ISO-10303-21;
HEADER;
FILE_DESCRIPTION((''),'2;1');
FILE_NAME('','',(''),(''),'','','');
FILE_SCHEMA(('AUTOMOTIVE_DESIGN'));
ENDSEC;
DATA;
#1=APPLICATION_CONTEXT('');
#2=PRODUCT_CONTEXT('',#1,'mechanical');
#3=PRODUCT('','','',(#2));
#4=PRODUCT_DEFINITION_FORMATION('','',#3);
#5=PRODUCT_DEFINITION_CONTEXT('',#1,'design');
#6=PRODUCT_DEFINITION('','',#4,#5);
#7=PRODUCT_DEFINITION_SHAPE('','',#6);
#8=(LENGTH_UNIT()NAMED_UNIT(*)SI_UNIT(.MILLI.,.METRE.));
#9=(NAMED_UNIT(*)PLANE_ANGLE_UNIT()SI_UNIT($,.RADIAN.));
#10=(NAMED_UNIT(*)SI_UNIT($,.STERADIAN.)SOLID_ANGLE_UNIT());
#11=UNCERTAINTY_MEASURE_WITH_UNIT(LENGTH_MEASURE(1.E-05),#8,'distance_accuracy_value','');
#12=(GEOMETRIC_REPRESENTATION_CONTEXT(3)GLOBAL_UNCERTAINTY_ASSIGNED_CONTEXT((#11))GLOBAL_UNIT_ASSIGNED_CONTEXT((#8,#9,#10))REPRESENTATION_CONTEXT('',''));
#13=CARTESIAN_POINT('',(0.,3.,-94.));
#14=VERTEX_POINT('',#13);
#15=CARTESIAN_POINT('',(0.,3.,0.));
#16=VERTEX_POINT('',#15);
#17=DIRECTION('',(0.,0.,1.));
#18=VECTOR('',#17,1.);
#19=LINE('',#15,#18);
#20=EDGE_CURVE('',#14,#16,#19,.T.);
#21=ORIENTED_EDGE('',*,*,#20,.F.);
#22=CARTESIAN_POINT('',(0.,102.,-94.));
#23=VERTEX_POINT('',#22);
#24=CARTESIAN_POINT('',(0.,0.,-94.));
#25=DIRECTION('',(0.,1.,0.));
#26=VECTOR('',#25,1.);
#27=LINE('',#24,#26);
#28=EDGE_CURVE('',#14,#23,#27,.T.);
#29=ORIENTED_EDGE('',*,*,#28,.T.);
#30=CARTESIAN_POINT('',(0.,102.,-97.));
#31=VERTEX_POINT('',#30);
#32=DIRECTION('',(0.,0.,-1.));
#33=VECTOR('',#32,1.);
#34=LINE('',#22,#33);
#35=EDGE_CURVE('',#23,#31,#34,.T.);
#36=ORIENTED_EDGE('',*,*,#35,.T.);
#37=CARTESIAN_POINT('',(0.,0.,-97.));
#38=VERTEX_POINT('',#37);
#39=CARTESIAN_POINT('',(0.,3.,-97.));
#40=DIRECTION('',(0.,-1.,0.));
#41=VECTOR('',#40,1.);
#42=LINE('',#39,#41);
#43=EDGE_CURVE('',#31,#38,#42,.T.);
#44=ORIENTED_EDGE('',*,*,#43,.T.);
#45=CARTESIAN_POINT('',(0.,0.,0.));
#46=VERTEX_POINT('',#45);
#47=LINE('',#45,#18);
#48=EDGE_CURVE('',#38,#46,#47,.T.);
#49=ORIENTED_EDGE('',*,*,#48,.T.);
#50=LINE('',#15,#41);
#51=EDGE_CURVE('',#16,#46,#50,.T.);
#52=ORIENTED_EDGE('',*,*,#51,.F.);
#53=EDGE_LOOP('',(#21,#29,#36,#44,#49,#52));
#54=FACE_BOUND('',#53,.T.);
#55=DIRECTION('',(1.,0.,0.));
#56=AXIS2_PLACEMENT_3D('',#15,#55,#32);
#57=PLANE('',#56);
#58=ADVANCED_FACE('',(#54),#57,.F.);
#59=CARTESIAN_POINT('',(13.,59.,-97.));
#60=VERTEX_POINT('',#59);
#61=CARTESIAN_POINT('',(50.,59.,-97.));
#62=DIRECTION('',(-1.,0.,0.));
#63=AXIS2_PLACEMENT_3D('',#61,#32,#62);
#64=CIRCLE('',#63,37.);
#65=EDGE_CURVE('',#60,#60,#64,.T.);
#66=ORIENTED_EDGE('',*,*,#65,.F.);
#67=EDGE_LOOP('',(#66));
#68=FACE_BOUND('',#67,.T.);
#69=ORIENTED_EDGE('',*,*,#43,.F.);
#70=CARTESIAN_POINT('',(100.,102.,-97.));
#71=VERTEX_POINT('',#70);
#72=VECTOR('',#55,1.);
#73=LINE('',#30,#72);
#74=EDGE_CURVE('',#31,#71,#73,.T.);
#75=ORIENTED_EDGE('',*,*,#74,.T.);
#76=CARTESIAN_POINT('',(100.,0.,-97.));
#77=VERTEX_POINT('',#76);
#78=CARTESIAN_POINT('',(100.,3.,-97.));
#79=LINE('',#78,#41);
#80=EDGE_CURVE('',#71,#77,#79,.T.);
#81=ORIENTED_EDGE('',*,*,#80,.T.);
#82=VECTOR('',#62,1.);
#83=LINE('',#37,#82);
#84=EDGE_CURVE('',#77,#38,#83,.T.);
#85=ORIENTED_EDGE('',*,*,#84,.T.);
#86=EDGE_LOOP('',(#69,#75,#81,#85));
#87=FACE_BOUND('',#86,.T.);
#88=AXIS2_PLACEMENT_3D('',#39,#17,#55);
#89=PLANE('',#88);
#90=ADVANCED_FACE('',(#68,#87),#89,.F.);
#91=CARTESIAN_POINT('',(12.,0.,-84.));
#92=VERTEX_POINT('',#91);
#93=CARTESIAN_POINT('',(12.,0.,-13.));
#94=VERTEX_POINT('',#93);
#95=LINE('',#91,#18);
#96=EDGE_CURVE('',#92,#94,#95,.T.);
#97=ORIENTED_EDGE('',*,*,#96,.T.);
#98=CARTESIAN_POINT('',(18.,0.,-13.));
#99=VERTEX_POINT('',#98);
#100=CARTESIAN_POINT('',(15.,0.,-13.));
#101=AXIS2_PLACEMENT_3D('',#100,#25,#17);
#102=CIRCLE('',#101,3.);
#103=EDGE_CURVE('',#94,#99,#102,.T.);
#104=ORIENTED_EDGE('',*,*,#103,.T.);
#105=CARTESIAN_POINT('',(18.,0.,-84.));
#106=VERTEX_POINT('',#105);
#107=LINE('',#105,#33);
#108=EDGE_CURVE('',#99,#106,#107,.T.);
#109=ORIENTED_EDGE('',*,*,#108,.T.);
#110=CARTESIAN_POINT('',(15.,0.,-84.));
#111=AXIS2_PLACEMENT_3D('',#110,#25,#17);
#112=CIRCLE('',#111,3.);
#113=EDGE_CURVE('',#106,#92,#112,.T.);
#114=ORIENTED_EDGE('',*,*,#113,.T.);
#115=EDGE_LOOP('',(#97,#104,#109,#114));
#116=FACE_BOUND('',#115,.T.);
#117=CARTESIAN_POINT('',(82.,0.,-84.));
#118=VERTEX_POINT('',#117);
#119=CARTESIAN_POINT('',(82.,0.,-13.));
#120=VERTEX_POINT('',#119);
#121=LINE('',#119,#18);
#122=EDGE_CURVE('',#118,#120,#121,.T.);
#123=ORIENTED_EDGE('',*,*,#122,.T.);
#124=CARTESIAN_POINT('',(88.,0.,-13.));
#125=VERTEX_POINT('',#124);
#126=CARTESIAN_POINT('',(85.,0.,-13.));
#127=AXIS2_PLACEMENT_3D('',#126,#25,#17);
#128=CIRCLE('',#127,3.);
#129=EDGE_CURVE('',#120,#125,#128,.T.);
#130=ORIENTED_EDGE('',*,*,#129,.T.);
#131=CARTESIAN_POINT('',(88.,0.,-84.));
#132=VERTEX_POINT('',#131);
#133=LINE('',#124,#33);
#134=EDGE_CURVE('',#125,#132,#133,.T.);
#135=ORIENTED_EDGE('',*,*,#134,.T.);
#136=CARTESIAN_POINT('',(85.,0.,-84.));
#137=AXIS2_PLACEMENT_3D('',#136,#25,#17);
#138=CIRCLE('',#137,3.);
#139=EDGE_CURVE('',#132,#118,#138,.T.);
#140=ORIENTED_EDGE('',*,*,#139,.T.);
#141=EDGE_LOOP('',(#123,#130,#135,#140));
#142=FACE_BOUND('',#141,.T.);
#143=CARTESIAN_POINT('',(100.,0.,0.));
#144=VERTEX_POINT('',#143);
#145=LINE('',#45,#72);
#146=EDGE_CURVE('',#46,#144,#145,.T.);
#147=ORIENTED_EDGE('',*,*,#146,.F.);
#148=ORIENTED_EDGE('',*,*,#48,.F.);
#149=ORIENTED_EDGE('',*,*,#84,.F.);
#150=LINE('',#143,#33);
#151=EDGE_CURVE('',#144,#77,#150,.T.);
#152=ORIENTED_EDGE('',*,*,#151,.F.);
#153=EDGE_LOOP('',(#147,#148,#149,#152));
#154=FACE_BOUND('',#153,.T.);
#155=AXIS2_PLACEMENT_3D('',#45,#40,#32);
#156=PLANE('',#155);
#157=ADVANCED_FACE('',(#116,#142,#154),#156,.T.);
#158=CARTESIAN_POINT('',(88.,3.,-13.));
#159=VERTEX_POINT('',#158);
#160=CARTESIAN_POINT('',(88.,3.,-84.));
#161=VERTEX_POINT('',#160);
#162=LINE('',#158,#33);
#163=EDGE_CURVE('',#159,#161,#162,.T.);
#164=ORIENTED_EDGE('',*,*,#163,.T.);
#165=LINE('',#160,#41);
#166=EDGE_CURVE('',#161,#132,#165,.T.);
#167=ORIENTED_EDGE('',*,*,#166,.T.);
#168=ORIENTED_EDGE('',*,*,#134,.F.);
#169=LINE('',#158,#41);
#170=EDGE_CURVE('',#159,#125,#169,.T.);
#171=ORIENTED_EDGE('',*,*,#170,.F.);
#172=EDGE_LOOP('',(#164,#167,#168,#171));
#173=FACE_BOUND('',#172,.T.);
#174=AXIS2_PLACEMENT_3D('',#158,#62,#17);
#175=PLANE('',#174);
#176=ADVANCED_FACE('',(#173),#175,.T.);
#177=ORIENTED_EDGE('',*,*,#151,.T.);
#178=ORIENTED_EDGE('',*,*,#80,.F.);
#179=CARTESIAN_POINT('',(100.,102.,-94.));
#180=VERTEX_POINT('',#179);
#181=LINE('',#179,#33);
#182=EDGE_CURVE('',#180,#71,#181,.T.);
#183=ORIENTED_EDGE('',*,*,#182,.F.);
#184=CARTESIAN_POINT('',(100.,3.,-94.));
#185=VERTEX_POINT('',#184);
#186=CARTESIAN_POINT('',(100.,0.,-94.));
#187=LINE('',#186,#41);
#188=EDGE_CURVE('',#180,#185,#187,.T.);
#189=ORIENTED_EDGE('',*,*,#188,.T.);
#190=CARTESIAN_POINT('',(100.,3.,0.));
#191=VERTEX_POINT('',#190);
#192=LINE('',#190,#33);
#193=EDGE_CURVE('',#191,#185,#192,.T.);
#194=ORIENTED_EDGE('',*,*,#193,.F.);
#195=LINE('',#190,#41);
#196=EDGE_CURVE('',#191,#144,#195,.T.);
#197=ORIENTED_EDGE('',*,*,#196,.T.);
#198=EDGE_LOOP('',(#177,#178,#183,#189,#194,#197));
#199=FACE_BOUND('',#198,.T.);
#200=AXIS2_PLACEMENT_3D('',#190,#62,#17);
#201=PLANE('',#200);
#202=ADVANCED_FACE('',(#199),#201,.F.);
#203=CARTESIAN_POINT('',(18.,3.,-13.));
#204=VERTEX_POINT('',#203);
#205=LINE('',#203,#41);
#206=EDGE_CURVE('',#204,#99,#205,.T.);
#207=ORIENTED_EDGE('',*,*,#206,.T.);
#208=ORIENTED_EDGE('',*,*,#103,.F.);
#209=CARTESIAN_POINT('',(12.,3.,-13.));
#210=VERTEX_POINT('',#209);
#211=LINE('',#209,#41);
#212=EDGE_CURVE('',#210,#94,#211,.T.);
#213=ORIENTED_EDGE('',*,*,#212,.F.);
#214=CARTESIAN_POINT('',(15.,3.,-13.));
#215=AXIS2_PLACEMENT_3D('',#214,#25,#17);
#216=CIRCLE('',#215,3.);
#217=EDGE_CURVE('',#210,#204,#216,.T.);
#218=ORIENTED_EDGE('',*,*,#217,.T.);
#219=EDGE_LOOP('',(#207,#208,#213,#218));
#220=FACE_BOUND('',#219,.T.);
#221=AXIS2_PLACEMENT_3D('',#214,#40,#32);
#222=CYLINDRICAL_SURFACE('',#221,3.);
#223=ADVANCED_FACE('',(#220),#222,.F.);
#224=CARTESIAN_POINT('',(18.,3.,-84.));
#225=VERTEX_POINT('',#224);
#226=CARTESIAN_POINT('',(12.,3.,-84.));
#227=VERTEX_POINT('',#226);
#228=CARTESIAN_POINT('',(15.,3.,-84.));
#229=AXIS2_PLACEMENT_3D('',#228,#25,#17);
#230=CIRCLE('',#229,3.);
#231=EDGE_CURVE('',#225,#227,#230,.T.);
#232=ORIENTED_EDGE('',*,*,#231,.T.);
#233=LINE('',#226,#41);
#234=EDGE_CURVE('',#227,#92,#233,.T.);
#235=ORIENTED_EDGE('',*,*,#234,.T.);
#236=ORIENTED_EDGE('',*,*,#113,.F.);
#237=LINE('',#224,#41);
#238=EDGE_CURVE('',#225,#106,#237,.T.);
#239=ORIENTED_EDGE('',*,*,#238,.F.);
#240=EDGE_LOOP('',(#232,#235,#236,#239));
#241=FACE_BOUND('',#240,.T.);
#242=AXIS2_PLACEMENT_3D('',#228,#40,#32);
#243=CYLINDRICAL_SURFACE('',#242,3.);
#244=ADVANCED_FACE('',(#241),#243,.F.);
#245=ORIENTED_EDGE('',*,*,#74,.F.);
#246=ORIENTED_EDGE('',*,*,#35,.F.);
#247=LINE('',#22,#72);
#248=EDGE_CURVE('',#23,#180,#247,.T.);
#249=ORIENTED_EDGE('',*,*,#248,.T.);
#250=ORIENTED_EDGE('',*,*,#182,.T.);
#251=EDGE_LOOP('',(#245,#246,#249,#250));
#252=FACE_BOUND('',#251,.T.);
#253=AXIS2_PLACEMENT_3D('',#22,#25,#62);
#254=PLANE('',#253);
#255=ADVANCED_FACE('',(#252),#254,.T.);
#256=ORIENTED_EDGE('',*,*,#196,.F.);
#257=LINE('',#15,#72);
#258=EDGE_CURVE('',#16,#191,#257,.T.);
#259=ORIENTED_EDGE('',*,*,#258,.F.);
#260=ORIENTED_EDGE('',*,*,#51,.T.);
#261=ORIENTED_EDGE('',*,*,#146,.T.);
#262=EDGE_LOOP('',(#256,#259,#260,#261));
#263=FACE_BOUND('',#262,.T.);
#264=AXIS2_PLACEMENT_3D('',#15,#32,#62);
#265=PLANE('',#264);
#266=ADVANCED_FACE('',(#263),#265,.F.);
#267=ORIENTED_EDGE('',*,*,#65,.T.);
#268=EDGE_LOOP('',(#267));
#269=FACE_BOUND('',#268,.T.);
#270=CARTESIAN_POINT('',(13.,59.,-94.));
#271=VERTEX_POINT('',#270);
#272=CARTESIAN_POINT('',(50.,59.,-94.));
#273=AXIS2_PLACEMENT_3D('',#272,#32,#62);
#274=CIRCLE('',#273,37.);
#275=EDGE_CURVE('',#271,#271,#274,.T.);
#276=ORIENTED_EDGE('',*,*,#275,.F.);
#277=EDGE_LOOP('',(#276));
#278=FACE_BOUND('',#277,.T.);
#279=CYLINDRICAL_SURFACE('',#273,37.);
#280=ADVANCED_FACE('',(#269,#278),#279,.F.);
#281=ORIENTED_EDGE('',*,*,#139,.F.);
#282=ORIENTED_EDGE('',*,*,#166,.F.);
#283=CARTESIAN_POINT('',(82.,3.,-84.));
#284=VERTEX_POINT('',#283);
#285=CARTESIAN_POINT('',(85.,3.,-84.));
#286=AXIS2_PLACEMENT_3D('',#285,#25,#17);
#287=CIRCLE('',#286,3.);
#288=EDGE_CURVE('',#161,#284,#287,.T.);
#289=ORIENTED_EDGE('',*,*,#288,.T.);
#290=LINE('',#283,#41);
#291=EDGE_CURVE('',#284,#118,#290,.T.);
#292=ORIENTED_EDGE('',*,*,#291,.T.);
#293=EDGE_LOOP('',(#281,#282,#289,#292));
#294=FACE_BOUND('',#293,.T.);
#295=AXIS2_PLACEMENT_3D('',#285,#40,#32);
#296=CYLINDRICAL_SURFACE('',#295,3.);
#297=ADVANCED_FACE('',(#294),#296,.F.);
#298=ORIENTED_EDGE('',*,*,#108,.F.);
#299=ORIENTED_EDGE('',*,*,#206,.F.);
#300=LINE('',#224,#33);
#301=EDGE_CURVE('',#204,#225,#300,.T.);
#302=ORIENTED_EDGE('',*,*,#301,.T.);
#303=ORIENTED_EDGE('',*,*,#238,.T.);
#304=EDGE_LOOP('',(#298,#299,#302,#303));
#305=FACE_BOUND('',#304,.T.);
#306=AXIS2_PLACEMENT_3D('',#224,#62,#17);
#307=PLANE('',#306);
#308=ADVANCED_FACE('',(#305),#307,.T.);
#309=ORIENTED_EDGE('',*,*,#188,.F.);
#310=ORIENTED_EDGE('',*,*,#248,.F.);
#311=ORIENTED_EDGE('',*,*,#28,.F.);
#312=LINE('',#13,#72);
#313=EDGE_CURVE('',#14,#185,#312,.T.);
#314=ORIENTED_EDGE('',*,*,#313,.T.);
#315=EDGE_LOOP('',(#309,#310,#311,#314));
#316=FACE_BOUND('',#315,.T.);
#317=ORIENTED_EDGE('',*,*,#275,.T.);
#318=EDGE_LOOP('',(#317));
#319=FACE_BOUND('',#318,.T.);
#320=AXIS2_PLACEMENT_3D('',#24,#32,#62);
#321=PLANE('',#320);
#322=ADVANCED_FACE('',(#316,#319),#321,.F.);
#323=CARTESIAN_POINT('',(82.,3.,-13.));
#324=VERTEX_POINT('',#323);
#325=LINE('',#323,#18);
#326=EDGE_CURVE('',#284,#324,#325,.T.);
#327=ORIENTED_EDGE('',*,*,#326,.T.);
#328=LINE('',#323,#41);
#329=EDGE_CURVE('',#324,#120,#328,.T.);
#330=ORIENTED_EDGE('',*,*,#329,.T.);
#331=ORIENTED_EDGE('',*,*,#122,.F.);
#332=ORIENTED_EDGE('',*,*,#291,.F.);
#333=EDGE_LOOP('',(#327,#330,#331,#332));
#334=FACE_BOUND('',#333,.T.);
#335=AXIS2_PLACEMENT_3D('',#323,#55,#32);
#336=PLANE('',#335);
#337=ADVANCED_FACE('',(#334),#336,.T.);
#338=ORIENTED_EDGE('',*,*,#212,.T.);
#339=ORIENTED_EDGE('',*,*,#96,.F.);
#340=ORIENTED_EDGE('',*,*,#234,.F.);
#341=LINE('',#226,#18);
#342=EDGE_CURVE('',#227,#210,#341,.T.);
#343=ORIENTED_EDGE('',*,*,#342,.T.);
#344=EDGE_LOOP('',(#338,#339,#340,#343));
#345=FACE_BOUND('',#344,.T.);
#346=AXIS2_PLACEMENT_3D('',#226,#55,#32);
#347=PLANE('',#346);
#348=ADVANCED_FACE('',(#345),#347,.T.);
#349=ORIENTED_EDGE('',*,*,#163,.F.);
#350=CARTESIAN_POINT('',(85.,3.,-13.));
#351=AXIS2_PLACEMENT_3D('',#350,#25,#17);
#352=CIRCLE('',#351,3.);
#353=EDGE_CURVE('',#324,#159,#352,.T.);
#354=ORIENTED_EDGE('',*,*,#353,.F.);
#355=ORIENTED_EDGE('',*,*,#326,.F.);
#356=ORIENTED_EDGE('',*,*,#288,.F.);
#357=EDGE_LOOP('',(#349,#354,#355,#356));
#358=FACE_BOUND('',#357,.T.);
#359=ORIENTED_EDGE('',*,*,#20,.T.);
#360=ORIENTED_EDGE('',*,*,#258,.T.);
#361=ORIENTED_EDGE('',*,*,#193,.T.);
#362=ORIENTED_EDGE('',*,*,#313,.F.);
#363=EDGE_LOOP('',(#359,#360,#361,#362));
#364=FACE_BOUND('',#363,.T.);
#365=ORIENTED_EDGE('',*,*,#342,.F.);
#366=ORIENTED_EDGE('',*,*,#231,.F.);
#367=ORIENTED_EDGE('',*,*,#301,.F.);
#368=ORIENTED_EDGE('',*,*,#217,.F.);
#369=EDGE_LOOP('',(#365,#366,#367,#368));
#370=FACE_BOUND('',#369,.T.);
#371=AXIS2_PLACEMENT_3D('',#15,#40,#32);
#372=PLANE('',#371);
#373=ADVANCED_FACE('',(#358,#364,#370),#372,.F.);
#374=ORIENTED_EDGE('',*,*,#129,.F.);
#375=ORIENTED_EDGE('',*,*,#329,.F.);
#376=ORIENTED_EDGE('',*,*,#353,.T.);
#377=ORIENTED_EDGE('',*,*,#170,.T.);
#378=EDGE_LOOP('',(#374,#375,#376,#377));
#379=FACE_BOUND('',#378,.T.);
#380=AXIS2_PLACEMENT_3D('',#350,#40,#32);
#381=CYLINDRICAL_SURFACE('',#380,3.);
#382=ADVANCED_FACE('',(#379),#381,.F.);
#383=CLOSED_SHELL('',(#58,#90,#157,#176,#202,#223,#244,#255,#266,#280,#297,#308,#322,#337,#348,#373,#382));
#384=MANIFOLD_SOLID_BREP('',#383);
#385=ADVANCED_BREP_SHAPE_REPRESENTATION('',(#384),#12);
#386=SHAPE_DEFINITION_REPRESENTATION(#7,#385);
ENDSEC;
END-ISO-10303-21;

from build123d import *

# Parameters (mm, degrees)
SKETCH1_W           = 100
SKETCH1_H           = 97
BOSS_EXTRUDE1_DEPTH = 3
SKETCH2_W           = 100
SKETCH2_H           = 102
SKETCH2_R           = 37
BOSS_EXTRUDE2_DEPTH = 3


with BuildPart() as part:
    # Sketch1 → Boss-Extrude1 (new body)
    with BuildSketch(Plane(origin=(0, 0, 0), x_dir=(1, 0, 0), z_dir=(0, 1, 0))):
        with Locations((50, 48.5)):
            Rectangle(SKETCH1_W, SKETCH1_H)
        with BuildLine():
            Line((18, 84), (18, 13))
            ThreePointArc((18, 13), (15, 10), (12, 13))
            Line((12, 13), (12, 84))
            ThreePointArc((12, 84), (15, 87), (18, 84))
        make_face(mode=Mode.SUBTRACT)
        with BuildLine():
            Line((82, 13), (82, 84))
            ThreePointArc((82, 84), (85, 87), (88, 84))
            Line((88, 84), (88, 13))
            ThreePointArc((88, 13), (85, 10), (82, 13))
        make_face(mode=Mode.SUBTRACT)
    extrude(amount=BOSS_EXTRUDE1_DEPTH)

    # Sketch2 → Boss-Extrude2 (add)
    with BuildSketch(Plane(origin=(0, 0, -97), x_dir=(-1, 0, 0), z_dir=(0, 0, -1))):
        with Locations((-50, 51)):
            Rectangle(SKETCH2_W, SKETCH2_H)
        with Locations((-50, 59)):
            Circle(SKETCH2_R, mode=Mode.SUBTRACT)
    extrude(amount=-BOSS_EXTRUDE2_DEPTH)


solid = part.part
